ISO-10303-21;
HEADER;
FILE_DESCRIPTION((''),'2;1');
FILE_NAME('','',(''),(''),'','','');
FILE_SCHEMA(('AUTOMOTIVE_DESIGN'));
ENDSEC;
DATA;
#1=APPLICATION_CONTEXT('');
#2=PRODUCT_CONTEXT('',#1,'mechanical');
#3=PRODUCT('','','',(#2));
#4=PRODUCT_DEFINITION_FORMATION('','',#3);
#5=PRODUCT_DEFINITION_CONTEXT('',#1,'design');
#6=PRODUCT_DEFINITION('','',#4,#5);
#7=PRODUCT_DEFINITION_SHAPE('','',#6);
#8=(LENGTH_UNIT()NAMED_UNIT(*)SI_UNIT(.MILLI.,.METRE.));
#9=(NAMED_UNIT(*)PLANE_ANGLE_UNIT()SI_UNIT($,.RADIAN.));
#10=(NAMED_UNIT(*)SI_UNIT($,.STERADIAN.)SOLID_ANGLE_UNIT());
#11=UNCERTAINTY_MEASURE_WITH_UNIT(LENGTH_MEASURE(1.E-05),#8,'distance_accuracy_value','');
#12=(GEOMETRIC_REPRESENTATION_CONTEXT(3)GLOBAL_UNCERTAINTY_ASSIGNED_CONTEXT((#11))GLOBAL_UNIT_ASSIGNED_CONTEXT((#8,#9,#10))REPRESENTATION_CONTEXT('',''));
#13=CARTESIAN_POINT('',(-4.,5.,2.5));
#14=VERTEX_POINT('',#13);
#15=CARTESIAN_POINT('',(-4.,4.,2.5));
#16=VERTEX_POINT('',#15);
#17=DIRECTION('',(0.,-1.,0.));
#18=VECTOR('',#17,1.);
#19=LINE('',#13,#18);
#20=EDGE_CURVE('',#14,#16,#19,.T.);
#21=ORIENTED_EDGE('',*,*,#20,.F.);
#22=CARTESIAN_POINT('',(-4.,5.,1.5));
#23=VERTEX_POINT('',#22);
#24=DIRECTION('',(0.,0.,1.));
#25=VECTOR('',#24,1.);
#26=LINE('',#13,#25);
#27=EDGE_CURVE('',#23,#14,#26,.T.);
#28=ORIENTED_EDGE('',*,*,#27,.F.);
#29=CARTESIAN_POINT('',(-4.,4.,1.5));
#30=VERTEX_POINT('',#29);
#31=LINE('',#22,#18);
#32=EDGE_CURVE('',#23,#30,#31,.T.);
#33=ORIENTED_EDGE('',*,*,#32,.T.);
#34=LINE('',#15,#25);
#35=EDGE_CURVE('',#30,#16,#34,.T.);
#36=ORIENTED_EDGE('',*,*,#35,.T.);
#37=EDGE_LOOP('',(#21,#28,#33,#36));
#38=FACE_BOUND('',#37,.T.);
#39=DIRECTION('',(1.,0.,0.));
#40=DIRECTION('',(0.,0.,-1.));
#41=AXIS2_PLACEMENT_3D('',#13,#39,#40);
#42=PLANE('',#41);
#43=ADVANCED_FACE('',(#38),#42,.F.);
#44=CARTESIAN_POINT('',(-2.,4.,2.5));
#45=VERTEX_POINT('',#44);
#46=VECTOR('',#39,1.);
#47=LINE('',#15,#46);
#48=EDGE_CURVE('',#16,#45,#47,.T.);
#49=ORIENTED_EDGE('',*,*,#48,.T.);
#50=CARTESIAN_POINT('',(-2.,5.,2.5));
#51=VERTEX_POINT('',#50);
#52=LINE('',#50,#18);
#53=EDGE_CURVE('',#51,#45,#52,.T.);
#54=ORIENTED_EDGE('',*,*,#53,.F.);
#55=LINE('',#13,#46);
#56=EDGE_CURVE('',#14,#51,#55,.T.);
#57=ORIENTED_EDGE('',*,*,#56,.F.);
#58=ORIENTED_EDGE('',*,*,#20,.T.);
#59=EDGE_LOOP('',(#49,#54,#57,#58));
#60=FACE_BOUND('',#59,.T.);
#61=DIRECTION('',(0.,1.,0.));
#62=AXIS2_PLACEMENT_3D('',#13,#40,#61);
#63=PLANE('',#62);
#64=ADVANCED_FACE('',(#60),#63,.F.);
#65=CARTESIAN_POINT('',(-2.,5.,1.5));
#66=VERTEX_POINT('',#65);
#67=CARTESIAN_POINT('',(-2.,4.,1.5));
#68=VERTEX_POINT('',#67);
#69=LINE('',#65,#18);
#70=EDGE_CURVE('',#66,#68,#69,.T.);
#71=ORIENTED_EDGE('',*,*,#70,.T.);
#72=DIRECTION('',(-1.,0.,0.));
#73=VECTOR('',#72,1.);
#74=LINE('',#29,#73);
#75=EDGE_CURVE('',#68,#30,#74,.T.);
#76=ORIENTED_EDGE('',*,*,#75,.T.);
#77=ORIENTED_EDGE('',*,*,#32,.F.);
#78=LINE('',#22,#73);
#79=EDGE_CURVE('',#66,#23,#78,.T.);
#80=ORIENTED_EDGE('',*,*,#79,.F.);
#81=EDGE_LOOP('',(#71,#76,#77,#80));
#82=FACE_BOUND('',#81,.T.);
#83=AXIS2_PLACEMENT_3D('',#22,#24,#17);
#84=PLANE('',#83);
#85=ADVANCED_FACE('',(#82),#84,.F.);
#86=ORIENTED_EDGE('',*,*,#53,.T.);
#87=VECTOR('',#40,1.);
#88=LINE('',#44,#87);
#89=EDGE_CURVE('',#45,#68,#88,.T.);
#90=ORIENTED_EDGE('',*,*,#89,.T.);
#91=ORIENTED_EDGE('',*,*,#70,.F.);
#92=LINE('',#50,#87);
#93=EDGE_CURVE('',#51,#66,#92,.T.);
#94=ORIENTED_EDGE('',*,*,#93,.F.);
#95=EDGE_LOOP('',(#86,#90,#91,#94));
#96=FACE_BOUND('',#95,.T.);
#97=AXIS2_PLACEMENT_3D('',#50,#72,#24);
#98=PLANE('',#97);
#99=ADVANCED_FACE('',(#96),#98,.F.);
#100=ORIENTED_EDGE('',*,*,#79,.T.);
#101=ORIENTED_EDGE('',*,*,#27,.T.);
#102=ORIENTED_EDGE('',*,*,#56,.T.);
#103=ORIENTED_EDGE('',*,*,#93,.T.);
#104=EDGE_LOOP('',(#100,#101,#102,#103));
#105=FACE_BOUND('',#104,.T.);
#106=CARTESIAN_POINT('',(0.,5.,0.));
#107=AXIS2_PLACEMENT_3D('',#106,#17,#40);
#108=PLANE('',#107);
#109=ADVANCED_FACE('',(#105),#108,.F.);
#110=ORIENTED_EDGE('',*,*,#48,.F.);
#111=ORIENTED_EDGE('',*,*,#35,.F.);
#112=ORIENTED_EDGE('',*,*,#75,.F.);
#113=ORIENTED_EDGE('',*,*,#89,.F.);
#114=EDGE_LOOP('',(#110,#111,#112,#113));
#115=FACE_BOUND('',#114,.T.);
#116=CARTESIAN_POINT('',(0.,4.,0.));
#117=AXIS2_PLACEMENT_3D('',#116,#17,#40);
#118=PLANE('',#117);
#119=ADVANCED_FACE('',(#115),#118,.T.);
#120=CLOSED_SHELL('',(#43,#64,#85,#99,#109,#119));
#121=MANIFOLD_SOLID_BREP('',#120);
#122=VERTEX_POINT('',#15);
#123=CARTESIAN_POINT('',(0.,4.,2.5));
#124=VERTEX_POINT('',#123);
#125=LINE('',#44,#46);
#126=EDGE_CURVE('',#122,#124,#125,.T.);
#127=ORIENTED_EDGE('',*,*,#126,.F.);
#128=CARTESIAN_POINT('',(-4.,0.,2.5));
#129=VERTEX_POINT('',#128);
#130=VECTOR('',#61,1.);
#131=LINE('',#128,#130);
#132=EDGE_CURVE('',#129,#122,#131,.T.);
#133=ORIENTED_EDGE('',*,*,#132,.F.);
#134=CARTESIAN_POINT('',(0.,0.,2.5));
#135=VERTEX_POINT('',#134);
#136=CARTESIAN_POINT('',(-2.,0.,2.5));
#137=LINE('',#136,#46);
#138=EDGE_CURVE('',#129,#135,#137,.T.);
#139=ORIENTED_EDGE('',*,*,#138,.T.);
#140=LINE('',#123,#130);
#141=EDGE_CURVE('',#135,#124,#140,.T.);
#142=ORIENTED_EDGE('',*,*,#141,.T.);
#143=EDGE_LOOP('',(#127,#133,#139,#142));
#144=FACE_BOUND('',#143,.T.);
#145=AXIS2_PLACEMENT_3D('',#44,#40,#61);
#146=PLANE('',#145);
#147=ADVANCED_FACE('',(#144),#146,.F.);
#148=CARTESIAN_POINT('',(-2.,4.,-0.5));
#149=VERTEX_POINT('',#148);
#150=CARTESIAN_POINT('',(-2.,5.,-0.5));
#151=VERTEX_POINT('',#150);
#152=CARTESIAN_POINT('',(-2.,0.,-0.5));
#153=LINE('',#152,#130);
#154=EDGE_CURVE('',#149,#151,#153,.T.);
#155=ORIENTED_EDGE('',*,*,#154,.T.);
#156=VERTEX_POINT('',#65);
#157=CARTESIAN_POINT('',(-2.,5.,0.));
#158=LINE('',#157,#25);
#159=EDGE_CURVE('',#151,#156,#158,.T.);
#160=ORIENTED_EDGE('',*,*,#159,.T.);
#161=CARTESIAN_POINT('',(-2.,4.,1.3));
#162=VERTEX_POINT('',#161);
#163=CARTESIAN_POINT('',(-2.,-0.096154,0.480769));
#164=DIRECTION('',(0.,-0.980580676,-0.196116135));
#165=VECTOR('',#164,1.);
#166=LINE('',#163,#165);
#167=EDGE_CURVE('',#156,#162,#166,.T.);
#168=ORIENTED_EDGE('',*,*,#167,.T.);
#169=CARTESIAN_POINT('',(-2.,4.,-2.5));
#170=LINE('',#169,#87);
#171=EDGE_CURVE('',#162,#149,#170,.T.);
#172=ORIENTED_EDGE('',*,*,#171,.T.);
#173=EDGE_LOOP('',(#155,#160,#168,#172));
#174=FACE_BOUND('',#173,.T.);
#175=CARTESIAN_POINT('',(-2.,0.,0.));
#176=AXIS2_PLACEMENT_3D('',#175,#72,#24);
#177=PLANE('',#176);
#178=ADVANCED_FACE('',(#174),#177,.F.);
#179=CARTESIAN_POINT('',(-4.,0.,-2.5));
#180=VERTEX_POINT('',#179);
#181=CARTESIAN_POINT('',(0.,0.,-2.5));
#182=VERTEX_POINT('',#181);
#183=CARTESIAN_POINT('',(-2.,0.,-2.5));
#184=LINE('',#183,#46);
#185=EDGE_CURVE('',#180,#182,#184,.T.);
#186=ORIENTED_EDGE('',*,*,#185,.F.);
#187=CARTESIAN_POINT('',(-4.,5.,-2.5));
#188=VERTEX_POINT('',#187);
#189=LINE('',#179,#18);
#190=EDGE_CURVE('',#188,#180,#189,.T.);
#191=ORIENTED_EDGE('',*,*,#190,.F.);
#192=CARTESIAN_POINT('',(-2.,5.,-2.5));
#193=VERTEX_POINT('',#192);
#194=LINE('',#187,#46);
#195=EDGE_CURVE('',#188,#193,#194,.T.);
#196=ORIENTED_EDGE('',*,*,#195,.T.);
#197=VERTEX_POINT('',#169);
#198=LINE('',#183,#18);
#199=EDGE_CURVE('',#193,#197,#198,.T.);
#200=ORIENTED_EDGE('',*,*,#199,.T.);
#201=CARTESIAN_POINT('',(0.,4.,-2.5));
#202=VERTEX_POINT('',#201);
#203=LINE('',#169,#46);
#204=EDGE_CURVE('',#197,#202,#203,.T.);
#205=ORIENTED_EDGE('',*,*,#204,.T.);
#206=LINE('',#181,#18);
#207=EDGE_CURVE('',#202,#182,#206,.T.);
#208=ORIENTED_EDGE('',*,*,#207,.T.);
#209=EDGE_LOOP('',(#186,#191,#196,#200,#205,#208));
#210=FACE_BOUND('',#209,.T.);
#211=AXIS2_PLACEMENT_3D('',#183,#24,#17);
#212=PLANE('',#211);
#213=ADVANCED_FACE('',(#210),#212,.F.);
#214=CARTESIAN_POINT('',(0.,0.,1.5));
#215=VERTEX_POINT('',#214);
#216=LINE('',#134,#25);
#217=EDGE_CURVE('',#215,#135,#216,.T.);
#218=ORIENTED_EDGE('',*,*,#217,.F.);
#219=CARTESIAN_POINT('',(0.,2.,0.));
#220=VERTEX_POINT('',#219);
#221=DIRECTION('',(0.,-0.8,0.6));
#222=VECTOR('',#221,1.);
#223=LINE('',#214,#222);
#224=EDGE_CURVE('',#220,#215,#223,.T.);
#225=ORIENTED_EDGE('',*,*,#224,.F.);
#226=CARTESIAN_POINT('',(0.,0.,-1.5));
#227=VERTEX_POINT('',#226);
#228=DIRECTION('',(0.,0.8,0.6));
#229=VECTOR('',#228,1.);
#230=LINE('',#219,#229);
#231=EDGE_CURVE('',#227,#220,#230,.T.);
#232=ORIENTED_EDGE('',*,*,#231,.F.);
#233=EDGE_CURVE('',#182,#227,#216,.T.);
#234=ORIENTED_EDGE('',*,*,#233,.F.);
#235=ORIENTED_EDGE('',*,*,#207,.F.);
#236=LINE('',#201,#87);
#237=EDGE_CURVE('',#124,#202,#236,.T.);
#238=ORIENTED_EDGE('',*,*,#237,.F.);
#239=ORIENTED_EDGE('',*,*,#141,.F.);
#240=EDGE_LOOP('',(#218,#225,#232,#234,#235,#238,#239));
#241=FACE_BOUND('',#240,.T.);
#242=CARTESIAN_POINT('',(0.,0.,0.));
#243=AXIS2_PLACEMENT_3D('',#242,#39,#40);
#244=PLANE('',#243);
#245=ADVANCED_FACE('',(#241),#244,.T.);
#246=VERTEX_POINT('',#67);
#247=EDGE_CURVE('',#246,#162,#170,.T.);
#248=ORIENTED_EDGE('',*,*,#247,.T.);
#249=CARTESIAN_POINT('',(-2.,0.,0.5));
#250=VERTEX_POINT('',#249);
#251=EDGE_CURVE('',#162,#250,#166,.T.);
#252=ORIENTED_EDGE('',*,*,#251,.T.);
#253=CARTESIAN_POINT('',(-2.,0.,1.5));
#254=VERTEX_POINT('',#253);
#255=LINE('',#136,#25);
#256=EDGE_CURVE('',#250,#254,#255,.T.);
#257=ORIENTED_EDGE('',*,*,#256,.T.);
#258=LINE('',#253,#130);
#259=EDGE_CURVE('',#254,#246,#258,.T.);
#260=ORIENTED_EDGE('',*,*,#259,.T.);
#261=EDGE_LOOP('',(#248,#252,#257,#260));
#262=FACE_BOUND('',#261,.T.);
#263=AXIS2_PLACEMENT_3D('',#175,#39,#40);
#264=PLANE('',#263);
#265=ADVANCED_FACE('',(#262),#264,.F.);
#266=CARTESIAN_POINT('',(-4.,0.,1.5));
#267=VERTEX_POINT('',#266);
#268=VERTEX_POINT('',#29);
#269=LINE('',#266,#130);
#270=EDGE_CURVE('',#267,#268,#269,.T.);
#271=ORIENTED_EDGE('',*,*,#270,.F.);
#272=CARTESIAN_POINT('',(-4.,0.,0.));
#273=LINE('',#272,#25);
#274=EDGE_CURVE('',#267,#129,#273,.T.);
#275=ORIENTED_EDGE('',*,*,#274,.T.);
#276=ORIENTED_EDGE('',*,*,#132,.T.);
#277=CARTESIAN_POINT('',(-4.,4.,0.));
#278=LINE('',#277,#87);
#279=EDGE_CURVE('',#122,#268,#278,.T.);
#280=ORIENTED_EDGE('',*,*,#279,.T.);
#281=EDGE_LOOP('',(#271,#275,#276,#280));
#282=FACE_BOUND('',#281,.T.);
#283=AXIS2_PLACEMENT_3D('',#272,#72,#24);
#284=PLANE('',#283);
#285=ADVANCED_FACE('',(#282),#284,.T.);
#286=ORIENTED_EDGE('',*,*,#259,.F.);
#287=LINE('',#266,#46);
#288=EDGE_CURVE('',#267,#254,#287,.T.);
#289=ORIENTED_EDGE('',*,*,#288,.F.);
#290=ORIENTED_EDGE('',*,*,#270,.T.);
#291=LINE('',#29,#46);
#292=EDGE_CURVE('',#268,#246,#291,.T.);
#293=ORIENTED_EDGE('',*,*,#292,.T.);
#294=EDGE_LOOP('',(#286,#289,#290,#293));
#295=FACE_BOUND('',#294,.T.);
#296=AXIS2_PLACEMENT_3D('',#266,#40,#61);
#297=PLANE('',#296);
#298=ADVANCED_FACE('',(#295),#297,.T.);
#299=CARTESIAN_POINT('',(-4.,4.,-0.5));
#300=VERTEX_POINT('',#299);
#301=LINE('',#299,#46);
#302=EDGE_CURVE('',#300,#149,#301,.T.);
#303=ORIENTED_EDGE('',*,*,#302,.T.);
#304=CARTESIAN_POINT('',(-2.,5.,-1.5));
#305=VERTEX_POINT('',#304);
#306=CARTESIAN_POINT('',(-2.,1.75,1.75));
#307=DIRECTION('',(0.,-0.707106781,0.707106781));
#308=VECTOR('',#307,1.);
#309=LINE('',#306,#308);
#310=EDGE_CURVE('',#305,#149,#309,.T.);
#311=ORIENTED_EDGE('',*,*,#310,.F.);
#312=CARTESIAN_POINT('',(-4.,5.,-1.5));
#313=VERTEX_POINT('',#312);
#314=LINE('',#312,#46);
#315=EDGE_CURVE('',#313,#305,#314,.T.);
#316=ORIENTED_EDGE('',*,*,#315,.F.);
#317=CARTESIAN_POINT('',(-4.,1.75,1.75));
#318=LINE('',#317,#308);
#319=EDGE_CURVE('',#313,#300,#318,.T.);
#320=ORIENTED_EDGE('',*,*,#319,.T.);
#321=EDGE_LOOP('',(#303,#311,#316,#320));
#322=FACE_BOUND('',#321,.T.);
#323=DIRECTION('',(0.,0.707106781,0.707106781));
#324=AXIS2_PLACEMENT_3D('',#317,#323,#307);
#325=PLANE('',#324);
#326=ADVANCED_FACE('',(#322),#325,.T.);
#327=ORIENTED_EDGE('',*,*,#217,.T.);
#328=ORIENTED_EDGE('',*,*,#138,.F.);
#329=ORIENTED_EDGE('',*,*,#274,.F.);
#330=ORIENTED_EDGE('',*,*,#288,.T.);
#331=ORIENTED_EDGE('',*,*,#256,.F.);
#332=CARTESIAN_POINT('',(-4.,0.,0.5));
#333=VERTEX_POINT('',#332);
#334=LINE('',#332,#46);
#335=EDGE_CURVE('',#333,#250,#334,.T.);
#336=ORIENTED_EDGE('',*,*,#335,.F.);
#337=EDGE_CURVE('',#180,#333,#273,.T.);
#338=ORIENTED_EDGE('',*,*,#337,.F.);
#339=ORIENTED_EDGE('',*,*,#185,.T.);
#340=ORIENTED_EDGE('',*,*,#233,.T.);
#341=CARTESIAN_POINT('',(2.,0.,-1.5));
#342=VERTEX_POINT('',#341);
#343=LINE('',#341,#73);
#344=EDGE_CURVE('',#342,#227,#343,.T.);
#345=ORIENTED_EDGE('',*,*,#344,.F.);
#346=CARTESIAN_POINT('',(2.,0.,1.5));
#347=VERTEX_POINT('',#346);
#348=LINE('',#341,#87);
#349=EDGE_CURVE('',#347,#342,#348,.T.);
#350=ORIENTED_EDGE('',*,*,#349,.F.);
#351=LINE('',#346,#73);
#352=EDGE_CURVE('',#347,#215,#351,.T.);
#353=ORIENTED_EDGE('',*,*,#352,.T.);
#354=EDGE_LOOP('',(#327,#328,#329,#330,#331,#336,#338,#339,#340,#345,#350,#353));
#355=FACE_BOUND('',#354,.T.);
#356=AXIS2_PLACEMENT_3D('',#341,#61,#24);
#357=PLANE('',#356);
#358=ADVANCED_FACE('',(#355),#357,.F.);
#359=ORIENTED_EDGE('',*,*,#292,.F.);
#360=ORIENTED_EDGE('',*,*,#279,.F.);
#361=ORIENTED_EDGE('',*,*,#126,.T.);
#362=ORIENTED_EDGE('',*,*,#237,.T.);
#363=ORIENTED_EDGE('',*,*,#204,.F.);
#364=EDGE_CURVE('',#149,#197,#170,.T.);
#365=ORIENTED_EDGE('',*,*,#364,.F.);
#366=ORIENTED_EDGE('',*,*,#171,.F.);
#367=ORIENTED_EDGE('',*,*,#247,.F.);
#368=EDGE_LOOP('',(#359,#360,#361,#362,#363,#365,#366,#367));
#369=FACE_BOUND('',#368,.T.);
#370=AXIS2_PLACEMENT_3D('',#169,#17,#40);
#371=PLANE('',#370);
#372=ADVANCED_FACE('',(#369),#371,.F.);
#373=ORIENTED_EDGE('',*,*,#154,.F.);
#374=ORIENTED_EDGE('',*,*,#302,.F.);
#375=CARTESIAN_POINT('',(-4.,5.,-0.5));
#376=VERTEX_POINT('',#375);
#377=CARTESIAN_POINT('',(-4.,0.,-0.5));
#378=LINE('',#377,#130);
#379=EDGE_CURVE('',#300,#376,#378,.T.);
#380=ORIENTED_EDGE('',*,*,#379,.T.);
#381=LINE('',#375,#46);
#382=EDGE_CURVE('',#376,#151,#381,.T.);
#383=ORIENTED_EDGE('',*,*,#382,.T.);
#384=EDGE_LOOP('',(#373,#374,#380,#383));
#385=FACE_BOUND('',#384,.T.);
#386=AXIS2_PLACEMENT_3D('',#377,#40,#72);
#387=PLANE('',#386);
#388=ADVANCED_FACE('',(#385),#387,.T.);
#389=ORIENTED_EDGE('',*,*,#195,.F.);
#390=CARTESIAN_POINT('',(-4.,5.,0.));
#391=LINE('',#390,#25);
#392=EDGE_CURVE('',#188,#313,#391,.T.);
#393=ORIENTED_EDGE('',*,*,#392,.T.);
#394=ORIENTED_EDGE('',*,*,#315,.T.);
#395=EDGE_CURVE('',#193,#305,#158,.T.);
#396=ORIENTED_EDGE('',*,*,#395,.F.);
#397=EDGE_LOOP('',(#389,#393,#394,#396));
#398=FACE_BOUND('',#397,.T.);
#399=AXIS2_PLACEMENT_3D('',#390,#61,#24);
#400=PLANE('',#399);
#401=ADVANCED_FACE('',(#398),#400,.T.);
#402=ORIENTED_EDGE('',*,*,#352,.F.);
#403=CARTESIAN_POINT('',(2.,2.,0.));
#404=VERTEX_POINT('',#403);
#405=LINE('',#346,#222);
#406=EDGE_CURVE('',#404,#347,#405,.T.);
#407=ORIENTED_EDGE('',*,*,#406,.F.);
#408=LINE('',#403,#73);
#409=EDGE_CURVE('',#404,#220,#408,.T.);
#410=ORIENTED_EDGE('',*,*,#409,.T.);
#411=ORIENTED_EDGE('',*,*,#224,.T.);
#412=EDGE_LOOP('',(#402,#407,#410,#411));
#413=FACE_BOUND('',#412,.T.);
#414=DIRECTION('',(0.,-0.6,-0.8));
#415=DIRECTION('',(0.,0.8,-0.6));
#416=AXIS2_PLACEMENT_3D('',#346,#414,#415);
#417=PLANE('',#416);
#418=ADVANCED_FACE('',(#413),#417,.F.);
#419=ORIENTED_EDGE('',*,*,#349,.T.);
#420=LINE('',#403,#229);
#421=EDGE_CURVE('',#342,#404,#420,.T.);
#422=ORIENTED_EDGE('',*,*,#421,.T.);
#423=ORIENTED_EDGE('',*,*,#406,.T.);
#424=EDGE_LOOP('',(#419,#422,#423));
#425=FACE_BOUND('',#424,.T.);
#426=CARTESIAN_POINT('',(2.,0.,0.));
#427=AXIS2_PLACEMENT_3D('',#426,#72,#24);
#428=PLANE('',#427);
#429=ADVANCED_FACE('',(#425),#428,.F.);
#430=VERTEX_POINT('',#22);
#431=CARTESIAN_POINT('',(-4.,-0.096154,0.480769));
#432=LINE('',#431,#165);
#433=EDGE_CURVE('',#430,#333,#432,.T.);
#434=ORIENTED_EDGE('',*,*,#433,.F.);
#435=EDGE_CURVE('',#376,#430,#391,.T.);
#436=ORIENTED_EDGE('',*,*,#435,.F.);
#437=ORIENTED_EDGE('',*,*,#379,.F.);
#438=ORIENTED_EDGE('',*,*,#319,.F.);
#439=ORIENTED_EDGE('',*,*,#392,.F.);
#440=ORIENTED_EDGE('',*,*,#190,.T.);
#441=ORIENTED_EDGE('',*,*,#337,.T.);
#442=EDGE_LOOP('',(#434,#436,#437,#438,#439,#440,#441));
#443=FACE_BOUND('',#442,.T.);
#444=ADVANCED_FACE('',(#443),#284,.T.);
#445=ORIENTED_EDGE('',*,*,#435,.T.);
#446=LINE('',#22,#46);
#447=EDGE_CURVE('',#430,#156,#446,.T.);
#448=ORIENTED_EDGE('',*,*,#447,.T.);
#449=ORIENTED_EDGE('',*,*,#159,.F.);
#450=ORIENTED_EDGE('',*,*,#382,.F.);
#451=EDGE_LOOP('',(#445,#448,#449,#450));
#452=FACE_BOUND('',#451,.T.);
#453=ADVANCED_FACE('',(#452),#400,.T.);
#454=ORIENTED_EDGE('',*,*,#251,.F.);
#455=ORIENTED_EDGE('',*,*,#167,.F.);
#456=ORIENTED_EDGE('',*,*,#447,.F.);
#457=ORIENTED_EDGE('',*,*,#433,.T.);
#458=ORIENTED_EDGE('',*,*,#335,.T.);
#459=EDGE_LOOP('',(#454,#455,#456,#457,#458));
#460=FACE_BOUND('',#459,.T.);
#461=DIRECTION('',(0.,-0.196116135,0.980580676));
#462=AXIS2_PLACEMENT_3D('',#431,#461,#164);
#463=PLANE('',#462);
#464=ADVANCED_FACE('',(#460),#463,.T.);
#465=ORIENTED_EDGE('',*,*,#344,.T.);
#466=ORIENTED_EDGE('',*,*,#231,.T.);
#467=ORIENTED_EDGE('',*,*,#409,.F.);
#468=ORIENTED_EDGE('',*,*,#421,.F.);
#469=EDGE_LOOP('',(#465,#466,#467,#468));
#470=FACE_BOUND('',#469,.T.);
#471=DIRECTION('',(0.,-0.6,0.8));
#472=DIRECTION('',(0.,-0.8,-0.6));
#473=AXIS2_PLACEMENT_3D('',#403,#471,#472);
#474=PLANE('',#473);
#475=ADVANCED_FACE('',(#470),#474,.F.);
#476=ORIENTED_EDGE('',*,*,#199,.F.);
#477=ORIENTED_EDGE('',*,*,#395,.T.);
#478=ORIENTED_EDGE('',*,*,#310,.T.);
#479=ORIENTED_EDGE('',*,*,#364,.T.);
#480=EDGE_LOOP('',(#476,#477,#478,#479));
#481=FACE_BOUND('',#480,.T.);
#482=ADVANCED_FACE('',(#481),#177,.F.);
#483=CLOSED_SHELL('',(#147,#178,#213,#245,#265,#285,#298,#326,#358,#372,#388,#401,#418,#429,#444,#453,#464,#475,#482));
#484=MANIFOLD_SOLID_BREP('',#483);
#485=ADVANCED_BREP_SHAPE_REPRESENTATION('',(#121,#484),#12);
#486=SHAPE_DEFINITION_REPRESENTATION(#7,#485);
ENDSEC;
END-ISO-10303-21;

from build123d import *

# Parameters (mm, degrees)
BOSS_EXTRUDE1_DEPTH = 2
SKETCH2_W           = 5
SKETCH2_H           = 4
BOSS_EXTRUDE2_DEPTH = 2
SKETCH3_W           = 1
SKETCH3_H           = 4
BOSS_EXTRUDE3_DEPTH = 2
SKETCH5_W           = 2
SKETCH5_H           = 1
BOSS_EXTRUDE8_DEPTH = 1


with BuildPart() as part:
    # Sketch1 → Boss-Extrude1 (new body)
    with BuildSketch(Plane(origin=(0, 0, 0), x_dir=(0, 0, -1), z_dir=(1, 0, 0))):
        Polygon((-1.5, 0), (0, 2), (1.5, 0), align=None)
    extrude(amount=BOSS_EXTRUDE1_DEPTH)

    # Sketch2 → Boss-Extrude2 (add)
    with BuildSketch(Plane.ZY):
        with Locations((0, 2)):
            Rectangle(SKETCH2_W, SKETCH2_H)
    extrude(amount=BOSS_EXTRUDE2_DEPTH)

    # Sketch3 → Boss-Extrude3 (add)
    with BuildSketch(Plane.ZY.offset(2)):
        Polygon((-2.5, 0), (0.5, 0), (1.3, 4), (-0.5, 4), (-2.5, 4), align=None)
        Polygon((-2.5, 4), (-0.5, 4), (-1.5, 5), (-2.5, 5), align=None)
        Polygon((1.3, 4), (1.5, 5), (-0.5, 5), (-0.5, 4), align=None)
        with Locations((2, 2)):
            Rectangle(SKETCH3_W, SKETCH3_H)
    extrude(amount=BOSS_EXTRUDE3_DEPTH)


with BuildPart() as body_2:
    # Sketch5 → Boss-Extrude8 (new body)
    with BuildSketch(Plane(origin=(0, 4, 0), x_dir=(1, 0, 0), z_dir=(0, 1, 0))):
        with Locations((-3, -2)):
            Rectangle(SKETCH5_W, SKETCH5_H)
    extrude(amount=BOSS_EXTRUDE8_DEPTH)


solid = Compound([part.part, body_2.part])
